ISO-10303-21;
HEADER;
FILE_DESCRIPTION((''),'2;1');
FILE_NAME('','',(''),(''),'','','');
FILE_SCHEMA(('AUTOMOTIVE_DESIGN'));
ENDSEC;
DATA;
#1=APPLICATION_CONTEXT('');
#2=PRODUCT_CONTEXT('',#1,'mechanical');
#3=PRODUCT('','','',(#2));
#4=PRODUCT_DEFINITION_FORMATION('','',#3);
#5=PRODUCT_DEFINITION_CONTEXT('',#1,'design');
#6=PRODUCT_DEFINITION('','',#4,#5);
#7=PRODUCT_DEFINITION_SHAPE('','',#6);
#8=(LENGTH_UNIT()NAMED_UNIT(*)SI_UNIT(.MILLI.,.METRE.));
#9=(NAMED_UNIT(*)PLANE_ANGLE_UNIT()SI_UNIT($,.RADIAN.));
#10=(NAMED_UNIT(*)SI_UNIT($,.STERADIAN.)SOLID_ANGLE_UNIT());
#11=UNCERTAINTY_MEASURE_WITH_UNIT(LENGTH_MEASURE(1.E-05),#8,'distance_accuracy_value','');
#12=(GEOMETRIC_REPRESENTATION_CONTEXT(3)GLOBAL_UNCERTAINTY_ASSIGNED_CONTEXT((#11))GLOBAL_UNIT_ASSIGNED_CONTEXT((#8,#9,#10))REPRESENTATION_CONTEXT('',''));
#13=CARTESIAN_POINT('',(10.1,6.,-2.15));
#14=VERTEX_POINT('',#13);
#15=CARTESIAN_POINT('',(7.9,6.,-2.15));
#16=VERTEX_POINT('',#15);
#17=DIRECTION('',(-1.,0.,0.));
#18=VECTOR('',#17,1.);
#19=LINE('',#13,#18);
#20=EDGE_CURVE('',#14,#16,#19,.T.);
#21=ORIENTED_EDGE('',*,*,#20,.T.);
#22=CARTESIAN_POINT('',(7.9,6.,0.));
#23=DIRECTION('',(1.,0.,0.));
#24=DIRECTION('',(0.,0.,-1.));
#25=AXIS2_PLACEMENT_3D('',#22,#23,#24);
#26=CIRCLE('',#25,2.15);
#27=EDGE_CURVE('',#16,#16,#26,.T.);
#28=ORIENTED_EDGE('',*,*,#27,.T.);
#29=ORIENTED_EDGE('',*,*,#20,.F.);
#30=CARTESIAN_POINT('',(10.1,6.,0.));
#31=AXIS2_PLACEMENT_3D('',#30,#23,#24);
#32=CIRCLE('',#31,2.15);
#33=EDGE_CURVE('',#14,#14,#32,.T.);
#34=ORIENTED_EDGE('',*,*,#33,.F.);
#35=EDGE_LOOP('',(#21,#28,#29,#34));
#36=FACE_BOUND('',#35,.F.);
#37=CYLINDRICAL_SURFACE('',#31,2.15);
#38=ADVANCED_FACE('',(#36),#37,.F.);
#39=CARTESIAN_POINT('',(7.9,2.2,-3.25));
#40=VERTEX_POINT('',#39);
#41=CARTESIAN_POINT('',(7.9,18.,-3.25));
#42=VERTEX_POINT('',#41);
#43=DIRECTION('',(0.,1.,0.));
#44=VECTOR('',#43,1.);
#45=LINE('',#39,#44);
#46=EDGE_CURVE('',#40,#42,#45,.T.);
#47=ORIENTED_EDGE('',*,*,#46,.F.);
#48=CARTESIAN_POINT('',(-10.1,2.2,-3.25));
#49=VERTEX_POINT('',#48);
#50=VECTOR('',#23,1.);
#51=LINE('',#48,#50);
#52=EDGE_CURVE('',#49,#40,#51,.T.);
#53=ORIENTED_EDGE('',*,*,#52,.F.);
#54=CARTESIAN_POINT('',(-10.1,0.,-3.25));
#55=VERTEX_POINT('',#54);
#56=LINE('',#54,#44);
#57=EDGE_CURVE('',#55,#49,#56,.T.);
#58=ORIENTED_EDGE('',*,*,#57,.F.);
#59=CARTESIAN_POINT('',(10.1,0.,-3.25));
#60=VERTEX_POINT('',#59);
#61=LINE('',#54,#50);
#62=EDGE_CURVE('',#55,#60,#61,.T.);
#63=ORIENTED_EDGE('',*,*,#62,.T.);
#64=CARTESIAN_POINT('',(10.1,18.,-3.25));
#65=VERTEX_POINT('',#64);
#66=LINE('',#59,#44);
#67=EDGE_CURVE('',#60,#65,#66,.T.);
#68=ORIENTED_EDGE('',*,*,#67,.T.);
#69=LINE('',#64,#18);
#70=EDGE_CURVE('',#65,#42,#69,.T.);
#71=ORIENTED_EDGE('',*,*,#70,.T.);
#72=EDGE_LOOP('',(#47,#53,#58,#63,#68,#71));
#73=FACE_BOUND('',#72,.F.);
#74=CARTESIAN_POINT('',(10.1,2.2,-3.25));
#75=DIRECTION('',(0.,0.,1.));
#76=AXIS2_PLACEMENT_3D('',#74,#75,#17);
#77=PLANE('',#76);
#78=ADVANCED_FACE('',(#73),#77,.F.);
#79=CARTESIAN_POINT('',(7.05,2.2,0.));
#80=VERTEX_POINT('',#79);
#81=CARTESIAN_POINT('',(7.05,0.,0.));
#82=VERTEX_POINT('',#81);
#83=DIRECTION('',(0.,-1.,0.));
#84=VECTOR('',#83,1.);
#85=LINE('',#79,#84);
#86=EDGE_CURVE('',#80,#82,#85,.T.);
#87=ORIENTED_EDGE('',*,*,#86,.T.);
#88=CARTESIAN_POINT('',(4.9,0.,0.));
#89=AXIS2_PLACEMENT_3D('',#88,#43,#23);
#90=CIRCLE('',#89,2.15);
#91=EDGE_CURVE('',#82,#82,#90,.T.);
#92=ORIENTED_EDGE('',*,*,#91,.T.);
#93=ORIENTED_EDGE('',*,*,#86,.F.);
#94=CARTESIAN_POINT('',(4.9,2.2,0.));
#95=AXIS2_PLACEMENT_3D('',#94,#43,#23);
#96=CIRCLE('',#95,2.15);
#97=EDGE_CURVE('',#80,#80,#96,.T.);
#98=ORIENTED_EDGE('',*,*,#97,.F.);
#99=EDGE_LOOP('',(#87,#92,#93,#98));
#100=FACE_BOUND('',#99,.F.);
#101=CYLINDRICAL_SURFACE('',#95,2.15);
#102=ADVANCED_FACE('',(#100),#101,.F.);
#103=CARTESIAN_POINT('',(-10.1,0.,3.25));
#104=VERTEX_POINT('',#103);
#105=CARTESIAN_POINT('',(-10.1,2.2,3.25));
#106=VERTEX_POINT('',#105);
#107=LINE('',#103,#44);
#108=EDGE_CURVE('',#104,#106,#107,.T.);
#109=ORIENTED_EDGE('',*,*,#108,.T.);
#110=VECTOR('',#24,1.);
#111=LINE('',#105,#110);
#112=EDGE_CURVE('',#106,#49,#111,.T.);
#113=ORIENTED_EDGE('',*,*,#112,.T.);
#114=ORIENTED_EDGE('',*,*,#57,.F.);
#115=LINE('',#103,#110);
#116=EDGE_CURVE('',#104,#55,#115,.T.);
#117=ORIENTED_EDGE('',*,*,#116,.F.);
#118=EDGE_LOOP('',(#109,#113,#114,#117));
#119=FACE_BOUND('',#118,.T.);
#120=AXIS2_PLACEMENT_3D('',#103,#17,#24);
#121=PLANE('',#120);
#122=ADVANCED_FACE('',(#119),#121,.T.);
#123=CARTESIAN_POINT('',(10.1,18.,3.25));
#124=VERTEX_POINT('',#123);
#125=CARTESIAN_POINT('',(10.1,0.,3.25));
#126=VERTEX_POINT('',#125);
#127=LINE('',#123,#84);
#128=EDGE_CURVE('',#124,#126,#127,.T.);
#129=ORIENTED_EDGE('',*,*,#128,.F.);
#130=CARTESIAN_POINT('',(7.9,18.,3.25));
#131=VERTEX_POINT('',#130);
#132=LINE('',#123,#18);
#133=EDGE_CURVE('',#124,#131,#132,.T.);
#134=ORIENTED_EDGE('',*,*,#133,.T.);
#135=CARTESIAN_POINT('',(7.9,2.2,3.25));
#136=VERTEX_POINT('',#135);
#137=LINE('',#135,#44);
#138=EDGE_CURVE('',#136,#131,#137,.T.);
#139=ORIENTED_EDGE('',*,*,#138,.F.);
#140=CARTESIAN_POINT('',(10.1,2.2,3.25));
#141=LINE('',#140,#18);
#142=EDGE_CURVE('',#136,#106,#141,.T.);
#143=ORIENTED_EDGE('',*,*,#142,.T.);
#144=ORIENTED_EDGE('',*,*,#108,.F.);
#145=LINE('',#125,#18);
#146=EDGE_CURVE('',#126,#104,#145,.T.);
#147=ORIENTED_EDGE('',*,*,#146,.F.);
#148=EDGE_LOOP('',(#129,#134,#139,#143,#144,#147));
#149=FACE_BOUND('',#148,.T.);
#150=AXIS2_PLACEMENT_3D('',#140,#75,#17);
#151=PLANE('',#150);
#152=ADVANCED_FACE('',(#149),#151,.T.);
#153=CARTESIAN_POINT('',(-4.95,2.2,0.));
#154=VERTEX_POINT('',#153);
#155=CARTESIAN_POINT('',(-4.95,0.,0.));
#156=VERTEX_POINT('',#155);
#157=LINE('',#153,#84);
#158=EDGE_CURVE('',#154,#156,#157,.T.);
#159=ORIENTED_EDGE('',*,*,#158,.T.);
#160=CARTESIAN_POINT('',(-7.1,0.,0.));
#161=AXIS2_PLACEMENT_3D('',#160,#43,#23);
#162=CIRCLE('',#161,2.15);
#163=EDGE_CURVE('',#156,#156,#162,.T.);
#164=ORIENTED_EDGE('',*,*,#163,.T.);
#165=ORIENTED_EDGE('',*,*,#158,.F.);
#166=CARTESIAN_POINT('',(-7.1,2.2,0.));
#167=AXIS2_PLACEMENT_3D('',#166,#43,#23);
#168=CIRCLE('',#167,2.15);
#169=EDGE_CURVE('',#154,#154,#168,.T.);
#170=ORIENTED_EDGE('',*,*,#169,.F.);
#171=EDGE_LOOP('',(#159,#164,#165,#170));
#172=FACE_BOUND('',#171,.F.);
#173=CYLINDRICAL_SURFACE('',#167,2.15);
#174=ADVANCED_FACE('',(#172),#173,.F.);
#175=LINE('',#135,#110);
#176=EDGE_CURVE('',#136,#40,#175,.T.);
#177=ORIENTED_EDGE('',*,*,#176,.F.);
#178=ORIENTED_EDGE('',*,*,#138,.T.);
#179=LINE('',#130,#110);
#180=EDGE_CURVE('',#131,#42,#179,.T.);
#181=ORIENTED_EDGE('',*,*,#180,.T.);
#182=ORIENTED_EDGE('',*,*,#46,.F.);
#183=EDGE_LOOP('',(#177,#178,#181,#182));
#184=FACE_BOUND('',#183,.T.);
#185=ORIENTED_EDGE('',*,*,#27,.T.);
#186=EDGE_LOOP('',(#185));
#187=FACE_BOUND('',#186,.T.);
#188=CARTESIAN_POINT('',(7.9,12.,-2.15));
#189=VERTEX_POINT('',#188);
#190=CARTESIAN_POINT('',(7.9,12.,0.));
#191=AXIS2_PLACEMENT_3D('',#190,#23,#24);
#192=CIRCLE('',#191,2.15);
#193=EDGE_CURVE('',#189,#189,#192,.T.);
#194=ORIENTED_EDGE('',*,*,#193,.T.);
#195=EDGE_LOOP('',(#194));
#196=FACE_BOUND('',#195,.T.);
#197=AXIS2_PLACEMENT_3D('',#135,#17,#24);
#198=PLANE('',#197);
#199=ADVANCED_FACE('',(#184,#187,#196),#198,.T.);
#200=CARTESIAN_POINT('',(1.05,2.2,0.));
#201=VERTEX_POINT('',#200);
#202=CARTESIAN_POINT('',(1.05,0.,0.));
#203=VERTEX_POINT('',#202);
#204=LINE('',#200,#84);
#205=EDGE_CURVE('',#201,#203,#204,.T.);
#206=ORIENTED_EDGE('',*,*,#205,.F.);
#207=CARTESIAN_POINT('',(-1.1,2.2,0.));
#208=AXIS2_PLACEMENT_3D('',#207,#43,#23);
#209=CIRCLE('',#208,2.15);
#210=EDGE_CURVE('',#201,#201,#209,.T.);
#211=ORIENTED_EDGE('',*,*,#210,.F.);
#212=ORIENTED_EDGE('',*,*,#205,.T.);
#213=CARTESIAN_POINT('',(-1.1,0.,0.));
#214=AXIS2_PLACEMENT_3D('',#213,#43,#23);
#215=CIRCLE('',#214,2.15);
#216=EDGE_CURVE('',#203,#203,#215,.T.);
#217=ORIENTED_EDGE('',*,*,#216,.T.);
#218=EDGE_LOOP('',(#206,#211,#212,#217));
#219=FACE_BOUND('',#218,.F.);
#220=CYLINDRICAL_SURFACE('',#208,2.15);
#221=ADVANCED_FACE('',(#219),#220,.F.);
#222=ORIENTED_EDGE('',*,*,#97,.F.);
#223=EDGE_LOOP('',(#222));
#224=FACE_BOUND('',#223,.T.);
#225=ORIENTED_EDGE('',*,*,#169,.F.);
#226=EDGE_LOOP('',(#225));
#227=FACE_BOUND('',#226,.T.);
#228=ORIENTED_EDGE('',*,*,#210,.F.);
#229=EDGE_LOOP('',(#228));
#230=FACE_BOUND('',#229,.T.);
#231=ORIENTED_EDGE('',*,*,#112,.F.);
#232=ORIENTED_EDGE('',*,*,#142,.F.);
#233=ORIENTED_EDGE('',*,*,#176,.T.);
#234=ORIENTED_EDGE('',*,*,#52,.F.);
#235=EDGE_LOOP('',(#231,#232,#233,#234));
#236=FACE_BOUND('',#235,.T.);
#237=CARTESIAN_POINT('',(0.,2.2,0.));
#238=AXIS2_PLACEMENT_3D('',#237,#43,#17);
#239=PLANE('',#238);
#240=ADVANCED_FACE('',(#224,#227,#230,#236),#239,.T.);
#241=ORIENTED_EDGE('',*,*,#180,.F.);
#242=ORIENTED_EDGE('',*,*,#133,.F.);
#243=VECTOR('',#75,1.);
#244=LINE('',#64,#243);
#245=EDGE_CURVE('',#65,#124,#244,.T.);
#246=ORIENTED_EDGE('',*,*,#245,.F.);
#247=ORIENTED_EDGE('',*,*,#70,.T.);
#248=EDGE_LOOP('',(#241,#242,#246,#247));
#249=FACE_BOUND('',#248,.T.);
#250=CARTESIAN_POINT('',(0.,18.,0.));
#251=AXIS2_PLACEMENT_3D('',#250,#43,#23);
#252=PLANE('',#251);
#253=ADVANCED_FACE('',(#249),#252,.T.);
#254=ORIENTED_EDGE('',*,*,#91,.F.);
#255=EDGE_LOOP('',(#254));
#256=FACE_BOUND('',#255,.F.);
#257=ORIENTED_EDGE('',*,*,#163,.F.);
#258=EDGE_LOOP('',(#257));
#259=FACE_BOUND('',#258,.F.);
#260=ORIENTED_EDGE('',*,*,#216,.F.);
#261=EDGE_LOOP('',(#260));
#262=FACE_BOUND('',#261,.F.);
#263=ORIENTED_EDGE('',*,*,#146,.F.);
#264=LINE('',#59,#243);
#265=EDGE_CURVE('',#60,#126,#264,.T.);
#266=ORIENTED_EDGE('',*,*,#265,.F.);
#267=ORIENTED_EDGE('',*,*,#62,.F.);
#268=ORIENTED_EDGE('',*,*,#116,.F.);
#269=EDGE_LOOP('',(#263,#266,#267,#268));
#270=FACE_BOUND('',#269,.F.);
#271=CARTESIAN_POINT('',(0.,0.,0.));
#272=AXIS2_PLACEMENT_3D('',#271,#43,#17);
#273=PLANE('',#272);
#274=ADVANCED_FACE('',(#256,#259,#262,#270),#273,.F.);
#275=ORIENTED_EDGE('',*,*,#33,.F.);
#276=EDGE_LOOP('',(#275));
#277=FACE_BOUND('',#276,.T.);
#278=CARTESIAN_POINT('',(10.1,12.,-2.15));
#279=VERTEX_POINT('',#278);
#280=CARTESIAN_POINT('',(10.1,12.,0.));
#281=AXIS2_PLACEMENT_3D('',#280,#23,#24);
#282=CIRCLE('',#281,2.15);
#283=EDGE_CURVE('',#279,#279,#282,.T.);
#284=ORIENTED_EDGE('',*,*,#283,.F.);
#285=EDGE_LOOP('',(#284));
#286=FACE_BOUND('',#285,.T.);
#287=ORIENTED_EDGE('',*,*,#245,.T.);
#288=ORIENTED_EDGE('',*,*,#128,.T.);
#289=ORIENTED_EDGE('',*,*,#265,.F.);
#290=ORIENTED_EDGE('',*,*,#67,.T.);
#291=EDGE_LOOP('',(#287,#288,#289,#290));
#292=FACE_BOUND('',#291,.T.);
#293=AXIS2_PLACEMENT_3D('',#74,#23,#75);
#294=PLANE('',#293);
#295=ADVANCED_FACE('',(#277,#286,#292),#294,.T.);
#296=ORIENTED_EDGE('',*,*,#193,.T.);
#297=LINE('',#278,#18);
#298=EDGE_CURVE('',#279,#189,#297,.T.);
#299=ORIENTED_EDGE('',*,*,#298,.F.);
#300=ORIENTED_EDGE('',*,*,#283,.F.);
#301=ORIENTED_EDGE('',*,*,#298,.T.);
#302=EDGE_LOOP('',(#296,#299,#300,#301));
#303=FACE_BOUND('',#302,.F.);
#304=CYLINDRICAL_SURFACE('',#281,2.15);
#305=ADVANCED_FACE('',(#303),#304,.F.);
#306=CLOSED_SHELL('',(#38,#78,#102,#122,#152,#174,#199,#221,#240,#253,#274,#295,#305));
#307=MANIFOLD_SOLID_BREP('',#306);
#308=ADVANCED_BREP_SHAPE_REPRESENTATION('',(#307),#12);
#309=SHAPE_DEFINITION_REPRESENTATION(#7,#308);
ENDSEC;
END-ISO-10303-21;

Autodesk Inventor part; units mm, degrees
ref_plane "YZ Plane" through (0, 0, 0) normal (1, 0, 0) x (0, 1, 0)
ref_plane "XZ Plane" through (0, 0, 0) normal (0, 1, 0) x (-1, 0, 0)
ref_plane "XY Plane" through (0, 0, 0) normal (0, 0, 1) x (1, 0, 0)
sketch "Sketch1" plane through (0, 0, 0) normal (0, 1, 0) x (-1, 0, 0)
  line L0 (-10.1, 3.25) -> (10.1, 3.25)
  line L1 (10.1, 3.25) -> (10.1, -3.25)
  line L2 (10.1, -3.25) -> (-10.1, -3.25)
  line L3 (-10.1, -3.25) -> (-10.1, 3.25)
  line L4 (0, 0) -> (0, -7.2216) construction
  line L5 (0, 0) -> (18.1335, 0) construction
  dimension "d0" = 6.5
  dimension "d1" = 20.2
extrude "Extrusion1" add sketch "Sketch1" along normal blind 2.2
sketch "Sketch2" plane through (0, 2.2, 0) normal (0, 1, 0) x (1, 0, 0)
  line L0 (-10.1, -3.25) -> (10.1, -3.25) projected
  line L1 (10.1, -3.25) -> (10.1, 3.25) projected
  line L2 (10.1, 3.25) -> (-10.1, 3.25) projected
  line L3 (-10.1, 3.25) -> (-10.1, -3.25) projected
  line L4 (7.9, 3.25) -> (7.9, -3.25) construction
  line L5 (-1.1, 6.7296) -> (-1.1, -8.5112) construction
  circle A0 centre (-1.1, 0) radius 2.15
  circle A1 centre (-7.1, 0) radius 2.15
  circle A2 centre (4.9, 0) radius 2.15
  circle A3 centre (-1.1, 0) radius 2.15
  point P0 (0, 0)
  dimension "d4" = 2.2
  dimension "d5" = 4.3
  dimension "d8" = 6
  dimension "d11" = 6
extrude "Extrusion2" cut sketch "Sketch2" against normal through all contours A0 | A1 | A2
sketch "Sketch3" plane through (0, 2.2, 0) normal (0, 1, 0) x (1, 0, 0)
  line L0 (10.1, 3.25) -> (-10.1, 3.25) projected
  line L1 (7.9, 3.25) -> (10.1, 3.25)
  line L2 (10.1, 3.25) -> (10.1, -3.25)
  line L3 (10.1, -3.25) -> (7.9, -3.25)
  line L4 (7.9, -3.25) -> (7.9, 3.25)
  point P0 (0, 0)
  dimension "d19" = 2.2
extrude "Extrusion3" add sketch "Sketch3" along normal blind 15.8
sketch "Sketch4" plane through (10.1, 0, 3.25) normal (1, 0, 0) x (0, 0, -1)
  line L0 (0, 0) -> (0, 18) projected
  line L1 (3.25, 19.7577) -> (3.25, -0.3358) construction
  circle A0 centre (3.25, 6) radius 2.15
  circle A1 centre (3.25, 12) radius 2.15
  point P0 (3.25, 0)
  dimension "d22" = 4.3
  dimension "d23" = 4.3
  dimension "d24" = 6
  dimension "d25" = 6
extrude "Extrusion4" cut sketch "Sketch4" against normal through all
equation "\"d2\" = Depth"
equation "\"d4\" = Depth"
equation "\"d5\" = Holes"
equation "\"d17\" = Depth"
equation "\"d19\" = Depth"
equation "\"d22\" = Holes"
equation "\"d23\" = Holes"
equation "\"Holes\" = 4.3"
equation "\"Depth\" = 2.2"
properties part number "Equerre"
